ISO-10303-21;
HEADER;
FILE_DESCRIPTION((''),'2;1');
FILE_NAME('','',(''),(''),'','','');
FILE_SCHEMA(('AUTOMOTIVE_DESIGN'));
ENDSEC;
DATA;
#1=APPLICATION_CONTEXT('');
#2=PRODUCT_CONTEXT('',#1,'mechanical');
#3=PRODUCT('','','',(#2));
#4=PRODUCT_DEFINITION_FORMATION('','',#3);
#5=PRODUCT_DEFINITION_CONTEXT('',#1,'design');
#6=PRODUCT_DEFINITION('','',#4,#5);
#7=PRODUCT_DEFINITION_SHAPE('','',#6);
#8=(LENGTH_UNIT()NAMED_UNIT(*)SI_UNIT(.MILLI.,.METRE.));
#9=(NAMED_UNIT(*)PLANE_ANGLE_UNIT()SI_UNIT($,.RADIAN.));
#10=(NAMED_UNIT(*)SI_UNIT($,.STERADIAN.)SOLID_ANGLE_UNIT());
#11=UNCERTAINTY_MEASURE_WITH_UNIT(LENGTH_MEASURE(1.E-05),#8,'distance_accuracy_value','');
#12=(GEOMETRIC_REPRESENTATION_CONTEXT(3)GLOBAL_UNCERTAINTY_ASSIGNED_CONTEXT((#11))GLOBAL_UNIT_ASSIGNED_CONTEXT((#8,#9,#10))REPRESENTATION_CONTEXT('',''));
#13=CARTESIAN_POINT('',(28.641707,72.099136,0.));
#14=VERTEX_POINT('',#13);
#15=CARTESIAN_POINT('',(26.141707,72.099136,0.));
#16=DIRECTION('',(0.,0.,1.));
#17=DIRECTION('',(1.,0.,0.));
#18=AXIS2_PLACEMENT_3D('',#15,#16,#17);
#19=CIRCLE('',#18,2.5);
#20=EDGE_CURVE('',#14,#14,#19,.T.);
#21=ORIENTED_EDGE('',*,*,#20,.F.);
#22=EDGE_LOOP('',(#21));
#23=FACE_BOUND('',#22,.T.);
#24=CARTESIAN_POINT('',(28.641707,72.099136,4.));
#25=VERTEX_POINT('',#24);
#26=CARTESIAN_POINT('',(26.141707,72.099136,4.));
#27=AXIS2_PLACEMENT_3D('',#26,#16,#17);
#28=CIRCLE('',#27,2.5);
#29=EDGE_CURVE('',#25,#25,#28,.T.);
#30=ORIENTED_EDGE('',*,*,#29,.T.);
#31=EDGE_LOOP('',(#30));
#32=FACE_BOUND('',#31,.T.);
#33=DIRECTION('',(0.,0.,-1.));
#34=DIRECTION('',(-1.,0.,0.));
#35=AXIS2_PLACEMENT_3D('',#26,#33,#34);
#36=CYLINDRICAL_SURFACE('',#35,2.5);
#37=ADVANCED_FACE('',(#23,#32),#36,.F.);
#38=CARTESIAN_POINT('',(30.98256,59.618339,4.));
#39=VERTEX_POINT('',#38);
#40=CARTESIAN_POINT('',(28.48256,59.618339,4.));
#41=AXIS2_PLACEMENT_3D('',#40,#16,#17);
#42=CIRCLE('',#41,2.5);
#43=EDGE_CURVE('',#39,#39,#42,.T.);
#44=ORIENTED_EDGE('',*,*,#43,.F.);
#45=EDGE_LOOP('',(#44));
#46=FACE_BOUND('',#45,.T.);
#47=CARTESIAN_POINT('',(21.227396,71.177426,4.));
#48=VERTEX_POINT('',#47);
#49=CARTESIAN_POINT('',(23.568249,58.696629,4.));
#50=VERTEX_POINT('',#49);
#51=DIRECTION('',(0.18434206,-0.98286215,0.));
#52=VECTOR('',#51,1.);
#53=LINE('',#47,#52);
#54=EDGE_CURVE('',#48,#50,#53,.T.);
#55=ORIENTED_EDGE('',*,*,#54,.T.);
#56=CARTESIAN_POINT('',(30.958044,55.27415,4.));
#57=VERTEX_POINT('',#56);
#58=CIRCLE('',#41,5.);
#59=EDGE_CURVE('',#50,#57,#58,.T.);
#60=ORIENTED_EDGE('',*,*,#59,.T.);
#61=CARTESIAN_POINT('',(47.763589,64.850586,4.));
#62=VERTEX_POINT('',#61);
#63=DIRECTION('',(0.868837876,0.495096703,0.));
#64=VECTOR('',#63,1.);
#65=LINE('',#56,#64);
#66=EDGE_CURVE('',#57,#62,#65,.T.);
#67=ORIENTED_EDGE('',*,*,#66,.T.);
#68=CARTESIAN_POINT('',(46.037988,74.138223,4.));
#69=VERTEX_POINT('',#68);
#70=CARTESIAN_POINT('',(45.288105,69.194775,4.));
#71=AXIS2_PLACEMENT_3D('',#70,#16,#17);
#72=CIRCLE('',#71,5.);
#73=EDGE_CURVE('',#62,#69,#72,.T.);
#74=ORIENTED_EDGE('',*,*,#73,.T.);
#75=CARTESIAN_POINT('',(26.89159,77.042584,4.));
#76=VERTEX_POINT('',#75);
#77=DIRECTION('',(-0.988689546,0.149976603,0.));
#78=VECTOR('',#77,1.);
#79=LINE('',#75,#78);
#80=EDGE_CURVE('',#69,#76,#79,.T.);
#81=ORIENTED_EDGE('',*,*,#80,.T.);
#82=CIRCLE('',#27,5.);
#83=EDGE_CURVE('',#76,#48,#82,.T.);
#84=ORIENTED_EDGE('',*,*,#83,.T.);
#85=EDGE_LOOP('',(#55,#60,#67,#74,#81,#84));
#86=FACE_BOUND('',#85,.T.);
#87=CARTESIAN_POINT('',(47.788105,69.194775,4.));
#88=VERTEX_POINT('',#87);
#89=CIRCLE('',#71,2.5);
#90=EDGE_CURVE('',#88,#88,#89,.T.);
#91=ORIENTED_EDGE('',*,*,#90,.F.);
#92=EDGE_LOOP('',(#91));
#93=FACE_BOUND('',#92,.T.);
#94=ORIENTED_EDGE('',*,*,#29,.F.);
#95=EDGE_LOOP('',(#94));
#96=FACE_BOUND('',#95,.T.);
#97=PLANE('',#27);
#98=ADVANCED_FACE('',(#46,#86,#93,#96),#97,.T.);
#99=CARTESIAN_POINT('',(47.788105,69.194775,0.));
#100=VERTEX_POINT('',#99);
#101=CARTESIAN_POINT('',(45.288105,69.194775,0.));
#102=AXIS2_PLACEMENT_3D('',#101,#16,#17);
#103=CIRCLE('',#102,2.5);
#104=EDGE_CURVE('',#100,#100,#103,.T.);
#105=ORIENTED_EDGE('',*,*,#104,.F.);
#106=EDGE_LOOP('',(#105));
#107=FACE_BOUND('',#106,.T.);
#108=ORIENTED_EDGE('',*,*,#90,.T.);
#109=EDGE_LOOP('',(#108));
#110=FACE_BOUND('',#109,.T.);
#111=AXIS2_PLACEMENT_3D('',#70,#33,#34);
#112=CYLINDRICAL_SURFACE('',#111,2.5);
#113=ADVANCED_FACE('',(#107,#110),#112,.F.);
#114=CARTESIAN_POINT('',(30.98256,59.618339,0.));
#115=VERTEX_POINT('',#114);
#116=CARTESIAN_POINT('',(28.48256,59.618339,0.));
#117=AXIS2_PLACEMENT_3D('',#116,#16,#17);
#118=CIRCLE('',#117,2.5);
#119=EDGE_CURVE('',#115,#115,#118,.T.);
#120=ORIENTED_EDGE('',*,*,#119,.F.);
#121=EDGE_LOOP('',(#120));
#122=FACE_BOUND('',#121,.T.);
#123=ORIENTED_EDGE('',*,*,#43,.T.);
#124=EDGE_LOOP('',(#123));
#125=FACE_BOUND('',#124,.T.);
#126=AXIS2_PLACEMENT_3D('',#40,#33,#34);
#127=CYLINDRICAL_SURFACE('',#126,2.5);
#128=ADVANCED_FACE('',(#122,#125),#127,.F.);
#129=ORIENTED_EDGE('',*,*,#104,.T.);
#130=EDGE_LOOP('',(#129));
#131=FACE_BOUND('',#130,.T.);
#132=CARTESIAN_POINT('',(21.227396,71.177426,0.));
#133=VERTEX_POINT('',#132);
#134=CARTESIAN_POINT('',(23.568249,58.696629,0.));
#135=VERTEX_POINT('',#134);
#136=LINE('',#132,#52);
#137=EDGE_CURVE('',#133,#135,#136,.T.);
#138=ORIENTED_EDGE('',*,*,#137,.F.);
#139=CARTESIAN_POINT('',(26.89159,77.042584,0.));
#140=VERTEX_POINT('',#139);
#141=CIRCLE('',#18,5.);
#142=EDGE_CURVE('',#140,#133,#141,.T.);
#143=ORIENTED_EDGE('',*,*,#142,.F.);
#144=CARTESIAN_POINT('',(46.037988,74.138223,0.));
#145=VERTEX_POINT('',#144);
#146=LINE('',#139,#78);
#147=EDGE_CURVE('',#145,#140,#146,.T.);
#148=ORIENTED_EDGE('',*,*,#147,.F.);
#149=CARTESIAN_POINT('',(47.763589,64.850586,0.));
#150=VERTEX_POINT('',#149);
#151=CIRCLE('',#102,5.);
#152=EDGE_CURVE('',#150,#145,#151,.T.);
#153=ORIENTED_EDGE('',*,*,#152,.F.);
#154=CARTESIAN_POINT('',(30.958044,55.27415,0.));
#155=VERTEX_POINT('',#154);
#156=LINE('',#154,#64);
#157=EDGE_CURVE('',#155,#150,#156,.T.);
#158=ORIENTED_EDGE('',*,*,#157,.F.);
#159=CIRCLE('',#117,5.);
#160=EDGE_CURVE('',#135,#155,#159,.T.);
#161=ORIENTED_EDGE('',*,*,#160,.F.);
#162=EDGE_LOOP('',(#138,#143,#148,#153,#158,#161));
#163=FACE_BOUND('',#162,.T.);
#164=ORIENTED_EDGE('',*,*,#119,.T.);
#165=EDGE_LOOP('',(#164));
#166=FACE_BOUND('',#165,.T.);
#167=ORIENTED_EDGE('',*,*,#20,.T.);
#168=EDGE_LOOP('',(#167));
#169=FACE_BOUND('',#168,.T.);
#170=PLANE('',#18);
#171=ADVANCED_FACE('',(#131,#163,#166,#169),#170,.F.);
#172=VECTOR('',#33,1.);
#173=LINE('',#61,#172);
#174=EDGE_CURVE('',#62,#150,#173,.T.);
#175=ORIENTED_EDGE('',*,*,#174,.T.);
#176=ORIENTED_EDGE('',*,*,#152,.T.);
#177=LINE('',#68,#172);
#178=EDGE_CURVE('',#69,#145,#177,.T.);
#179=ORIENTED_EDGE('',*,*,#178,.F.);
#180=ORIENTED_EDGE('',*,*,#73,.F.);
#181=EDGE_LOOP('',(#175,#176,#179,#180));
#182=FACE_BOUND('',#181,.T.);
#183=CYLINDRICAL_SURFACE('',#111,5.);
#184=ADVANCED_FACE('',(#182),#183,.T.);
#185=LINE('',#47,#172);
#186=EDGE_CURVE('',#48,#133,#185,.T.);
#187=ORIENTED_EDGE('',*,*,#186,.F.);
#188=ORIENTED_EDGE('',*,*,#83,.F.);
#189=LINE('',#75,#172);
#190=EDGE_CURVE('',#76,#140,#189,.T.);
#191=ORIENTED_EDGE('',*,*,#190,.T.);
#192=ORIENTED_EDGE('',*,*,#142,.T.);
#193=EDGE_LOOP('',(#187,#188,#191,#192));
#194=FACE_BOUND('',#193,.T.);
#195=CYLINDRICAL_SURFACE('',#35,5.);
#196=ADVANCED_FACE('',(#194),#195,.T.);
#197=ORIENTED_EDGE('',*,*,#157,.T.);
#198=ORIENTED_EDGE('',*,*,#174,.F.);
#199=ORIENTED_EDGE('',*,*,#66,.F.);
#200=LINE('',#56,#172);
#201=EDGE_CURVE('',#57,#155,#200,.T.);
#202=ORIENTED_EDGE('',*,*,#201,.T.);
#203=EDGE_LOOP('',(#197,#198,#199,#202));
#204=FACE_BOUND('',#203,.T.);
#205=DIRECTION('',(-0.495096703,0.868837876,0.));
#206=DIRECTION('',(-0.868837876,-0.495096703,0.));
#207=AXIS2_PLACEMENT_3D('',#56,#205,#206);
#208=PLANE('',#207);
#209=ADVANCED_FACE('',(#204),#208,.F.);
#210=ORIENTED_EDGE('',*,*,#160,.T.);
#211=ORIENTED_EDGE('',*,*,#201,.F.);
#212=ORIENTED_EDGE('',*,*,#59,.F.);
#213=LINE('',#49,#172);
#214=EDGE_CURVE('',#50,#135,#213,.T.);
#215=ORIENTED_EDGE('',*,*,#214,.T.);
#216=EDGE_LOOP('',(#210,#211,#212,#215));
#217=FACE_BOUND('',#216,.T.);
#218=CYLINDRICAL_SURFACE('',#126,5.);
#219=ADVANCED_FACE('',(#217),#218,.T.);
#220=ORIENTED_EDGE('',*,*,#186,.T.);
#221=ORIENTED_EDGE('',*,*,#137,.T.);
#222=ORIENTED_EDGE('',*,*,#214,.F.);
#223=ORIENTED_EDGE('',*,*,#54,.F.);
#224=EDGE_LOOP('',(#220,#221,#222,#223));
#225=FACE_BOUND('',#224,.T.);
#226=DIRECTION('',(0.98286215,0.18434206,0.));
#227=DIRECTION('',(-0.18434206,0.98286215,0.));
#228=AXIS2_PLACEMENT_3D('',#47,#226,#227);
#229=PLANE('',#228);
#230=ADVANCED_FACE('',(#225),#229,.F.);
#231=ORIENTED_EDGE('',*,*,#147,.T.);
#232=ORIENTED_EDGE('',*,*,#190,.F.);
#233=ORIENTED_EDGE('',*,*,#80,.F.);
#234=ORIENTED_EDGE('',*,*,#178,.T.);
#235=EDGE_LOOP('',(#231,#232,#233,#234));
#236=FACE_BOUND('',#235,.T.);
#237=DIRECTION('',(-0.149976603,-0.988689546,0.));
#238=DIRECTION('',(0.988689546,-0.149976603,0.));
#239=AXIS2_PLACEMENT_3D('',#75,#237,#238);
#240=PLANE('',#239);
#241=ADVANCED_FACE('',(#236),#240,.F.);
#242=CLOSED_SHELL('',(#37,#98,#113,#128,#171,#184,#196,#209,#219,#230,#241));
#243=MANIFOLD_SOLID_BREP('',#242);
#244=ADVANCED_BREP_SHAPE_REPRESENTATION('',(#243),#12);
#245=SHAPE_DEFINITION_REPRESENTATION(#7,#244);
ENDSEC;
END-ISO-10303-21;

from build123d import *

# Parameters (mm, degrees)
SKETCH1_R           = 2.5
BOSS_EXTRUDE1_DEPTH = 4


with BuildPart() as part:
    # Sketch1 → Boss-Extrude1 (new body)
    with BuildSketch(Plane.XY):
        with BuildLine():
            Line((26.891590001, 77.042584155), (46.037988185, 74.138222759))
            ThreePointArc((46.037988185, 74.138222759), (50.20397723, 70.108121575), (47.763588686, 64.850585648))
            Line((47.763588686, 64.850585648), (30.958043521, 55.274150009))
            ThreePointArc((30.958043521, 55.274150009), (26.381296021, 55.081304051), (23.568249259, 58.696629092))
            Line((23.568249259, 58.696629092), (21.227396241, 71.177426126))
            ThreePointArc((21.227396241, 71.177426126), (22.54509271, 75.572516008), (26.891590001, 77.042584155))
        make_face()
        with Locations((26.141706988, 72.099136424)):
            Circle(SKETCH1_R, mode=Mode.SUBTRACT)
        with Locations((28.482560007, 59.618339389)):
            Circle(SKETCH1_R, mode=Mode.SUBTRACT)
        with Locations((45.288105172, 69.194775028)):
            Circle(SKETCH1_R, mode=Mode.SUBTRACT)
    extrude(amount=BOSS_EXTRUDE1_DEPTH)


solid = part.part
